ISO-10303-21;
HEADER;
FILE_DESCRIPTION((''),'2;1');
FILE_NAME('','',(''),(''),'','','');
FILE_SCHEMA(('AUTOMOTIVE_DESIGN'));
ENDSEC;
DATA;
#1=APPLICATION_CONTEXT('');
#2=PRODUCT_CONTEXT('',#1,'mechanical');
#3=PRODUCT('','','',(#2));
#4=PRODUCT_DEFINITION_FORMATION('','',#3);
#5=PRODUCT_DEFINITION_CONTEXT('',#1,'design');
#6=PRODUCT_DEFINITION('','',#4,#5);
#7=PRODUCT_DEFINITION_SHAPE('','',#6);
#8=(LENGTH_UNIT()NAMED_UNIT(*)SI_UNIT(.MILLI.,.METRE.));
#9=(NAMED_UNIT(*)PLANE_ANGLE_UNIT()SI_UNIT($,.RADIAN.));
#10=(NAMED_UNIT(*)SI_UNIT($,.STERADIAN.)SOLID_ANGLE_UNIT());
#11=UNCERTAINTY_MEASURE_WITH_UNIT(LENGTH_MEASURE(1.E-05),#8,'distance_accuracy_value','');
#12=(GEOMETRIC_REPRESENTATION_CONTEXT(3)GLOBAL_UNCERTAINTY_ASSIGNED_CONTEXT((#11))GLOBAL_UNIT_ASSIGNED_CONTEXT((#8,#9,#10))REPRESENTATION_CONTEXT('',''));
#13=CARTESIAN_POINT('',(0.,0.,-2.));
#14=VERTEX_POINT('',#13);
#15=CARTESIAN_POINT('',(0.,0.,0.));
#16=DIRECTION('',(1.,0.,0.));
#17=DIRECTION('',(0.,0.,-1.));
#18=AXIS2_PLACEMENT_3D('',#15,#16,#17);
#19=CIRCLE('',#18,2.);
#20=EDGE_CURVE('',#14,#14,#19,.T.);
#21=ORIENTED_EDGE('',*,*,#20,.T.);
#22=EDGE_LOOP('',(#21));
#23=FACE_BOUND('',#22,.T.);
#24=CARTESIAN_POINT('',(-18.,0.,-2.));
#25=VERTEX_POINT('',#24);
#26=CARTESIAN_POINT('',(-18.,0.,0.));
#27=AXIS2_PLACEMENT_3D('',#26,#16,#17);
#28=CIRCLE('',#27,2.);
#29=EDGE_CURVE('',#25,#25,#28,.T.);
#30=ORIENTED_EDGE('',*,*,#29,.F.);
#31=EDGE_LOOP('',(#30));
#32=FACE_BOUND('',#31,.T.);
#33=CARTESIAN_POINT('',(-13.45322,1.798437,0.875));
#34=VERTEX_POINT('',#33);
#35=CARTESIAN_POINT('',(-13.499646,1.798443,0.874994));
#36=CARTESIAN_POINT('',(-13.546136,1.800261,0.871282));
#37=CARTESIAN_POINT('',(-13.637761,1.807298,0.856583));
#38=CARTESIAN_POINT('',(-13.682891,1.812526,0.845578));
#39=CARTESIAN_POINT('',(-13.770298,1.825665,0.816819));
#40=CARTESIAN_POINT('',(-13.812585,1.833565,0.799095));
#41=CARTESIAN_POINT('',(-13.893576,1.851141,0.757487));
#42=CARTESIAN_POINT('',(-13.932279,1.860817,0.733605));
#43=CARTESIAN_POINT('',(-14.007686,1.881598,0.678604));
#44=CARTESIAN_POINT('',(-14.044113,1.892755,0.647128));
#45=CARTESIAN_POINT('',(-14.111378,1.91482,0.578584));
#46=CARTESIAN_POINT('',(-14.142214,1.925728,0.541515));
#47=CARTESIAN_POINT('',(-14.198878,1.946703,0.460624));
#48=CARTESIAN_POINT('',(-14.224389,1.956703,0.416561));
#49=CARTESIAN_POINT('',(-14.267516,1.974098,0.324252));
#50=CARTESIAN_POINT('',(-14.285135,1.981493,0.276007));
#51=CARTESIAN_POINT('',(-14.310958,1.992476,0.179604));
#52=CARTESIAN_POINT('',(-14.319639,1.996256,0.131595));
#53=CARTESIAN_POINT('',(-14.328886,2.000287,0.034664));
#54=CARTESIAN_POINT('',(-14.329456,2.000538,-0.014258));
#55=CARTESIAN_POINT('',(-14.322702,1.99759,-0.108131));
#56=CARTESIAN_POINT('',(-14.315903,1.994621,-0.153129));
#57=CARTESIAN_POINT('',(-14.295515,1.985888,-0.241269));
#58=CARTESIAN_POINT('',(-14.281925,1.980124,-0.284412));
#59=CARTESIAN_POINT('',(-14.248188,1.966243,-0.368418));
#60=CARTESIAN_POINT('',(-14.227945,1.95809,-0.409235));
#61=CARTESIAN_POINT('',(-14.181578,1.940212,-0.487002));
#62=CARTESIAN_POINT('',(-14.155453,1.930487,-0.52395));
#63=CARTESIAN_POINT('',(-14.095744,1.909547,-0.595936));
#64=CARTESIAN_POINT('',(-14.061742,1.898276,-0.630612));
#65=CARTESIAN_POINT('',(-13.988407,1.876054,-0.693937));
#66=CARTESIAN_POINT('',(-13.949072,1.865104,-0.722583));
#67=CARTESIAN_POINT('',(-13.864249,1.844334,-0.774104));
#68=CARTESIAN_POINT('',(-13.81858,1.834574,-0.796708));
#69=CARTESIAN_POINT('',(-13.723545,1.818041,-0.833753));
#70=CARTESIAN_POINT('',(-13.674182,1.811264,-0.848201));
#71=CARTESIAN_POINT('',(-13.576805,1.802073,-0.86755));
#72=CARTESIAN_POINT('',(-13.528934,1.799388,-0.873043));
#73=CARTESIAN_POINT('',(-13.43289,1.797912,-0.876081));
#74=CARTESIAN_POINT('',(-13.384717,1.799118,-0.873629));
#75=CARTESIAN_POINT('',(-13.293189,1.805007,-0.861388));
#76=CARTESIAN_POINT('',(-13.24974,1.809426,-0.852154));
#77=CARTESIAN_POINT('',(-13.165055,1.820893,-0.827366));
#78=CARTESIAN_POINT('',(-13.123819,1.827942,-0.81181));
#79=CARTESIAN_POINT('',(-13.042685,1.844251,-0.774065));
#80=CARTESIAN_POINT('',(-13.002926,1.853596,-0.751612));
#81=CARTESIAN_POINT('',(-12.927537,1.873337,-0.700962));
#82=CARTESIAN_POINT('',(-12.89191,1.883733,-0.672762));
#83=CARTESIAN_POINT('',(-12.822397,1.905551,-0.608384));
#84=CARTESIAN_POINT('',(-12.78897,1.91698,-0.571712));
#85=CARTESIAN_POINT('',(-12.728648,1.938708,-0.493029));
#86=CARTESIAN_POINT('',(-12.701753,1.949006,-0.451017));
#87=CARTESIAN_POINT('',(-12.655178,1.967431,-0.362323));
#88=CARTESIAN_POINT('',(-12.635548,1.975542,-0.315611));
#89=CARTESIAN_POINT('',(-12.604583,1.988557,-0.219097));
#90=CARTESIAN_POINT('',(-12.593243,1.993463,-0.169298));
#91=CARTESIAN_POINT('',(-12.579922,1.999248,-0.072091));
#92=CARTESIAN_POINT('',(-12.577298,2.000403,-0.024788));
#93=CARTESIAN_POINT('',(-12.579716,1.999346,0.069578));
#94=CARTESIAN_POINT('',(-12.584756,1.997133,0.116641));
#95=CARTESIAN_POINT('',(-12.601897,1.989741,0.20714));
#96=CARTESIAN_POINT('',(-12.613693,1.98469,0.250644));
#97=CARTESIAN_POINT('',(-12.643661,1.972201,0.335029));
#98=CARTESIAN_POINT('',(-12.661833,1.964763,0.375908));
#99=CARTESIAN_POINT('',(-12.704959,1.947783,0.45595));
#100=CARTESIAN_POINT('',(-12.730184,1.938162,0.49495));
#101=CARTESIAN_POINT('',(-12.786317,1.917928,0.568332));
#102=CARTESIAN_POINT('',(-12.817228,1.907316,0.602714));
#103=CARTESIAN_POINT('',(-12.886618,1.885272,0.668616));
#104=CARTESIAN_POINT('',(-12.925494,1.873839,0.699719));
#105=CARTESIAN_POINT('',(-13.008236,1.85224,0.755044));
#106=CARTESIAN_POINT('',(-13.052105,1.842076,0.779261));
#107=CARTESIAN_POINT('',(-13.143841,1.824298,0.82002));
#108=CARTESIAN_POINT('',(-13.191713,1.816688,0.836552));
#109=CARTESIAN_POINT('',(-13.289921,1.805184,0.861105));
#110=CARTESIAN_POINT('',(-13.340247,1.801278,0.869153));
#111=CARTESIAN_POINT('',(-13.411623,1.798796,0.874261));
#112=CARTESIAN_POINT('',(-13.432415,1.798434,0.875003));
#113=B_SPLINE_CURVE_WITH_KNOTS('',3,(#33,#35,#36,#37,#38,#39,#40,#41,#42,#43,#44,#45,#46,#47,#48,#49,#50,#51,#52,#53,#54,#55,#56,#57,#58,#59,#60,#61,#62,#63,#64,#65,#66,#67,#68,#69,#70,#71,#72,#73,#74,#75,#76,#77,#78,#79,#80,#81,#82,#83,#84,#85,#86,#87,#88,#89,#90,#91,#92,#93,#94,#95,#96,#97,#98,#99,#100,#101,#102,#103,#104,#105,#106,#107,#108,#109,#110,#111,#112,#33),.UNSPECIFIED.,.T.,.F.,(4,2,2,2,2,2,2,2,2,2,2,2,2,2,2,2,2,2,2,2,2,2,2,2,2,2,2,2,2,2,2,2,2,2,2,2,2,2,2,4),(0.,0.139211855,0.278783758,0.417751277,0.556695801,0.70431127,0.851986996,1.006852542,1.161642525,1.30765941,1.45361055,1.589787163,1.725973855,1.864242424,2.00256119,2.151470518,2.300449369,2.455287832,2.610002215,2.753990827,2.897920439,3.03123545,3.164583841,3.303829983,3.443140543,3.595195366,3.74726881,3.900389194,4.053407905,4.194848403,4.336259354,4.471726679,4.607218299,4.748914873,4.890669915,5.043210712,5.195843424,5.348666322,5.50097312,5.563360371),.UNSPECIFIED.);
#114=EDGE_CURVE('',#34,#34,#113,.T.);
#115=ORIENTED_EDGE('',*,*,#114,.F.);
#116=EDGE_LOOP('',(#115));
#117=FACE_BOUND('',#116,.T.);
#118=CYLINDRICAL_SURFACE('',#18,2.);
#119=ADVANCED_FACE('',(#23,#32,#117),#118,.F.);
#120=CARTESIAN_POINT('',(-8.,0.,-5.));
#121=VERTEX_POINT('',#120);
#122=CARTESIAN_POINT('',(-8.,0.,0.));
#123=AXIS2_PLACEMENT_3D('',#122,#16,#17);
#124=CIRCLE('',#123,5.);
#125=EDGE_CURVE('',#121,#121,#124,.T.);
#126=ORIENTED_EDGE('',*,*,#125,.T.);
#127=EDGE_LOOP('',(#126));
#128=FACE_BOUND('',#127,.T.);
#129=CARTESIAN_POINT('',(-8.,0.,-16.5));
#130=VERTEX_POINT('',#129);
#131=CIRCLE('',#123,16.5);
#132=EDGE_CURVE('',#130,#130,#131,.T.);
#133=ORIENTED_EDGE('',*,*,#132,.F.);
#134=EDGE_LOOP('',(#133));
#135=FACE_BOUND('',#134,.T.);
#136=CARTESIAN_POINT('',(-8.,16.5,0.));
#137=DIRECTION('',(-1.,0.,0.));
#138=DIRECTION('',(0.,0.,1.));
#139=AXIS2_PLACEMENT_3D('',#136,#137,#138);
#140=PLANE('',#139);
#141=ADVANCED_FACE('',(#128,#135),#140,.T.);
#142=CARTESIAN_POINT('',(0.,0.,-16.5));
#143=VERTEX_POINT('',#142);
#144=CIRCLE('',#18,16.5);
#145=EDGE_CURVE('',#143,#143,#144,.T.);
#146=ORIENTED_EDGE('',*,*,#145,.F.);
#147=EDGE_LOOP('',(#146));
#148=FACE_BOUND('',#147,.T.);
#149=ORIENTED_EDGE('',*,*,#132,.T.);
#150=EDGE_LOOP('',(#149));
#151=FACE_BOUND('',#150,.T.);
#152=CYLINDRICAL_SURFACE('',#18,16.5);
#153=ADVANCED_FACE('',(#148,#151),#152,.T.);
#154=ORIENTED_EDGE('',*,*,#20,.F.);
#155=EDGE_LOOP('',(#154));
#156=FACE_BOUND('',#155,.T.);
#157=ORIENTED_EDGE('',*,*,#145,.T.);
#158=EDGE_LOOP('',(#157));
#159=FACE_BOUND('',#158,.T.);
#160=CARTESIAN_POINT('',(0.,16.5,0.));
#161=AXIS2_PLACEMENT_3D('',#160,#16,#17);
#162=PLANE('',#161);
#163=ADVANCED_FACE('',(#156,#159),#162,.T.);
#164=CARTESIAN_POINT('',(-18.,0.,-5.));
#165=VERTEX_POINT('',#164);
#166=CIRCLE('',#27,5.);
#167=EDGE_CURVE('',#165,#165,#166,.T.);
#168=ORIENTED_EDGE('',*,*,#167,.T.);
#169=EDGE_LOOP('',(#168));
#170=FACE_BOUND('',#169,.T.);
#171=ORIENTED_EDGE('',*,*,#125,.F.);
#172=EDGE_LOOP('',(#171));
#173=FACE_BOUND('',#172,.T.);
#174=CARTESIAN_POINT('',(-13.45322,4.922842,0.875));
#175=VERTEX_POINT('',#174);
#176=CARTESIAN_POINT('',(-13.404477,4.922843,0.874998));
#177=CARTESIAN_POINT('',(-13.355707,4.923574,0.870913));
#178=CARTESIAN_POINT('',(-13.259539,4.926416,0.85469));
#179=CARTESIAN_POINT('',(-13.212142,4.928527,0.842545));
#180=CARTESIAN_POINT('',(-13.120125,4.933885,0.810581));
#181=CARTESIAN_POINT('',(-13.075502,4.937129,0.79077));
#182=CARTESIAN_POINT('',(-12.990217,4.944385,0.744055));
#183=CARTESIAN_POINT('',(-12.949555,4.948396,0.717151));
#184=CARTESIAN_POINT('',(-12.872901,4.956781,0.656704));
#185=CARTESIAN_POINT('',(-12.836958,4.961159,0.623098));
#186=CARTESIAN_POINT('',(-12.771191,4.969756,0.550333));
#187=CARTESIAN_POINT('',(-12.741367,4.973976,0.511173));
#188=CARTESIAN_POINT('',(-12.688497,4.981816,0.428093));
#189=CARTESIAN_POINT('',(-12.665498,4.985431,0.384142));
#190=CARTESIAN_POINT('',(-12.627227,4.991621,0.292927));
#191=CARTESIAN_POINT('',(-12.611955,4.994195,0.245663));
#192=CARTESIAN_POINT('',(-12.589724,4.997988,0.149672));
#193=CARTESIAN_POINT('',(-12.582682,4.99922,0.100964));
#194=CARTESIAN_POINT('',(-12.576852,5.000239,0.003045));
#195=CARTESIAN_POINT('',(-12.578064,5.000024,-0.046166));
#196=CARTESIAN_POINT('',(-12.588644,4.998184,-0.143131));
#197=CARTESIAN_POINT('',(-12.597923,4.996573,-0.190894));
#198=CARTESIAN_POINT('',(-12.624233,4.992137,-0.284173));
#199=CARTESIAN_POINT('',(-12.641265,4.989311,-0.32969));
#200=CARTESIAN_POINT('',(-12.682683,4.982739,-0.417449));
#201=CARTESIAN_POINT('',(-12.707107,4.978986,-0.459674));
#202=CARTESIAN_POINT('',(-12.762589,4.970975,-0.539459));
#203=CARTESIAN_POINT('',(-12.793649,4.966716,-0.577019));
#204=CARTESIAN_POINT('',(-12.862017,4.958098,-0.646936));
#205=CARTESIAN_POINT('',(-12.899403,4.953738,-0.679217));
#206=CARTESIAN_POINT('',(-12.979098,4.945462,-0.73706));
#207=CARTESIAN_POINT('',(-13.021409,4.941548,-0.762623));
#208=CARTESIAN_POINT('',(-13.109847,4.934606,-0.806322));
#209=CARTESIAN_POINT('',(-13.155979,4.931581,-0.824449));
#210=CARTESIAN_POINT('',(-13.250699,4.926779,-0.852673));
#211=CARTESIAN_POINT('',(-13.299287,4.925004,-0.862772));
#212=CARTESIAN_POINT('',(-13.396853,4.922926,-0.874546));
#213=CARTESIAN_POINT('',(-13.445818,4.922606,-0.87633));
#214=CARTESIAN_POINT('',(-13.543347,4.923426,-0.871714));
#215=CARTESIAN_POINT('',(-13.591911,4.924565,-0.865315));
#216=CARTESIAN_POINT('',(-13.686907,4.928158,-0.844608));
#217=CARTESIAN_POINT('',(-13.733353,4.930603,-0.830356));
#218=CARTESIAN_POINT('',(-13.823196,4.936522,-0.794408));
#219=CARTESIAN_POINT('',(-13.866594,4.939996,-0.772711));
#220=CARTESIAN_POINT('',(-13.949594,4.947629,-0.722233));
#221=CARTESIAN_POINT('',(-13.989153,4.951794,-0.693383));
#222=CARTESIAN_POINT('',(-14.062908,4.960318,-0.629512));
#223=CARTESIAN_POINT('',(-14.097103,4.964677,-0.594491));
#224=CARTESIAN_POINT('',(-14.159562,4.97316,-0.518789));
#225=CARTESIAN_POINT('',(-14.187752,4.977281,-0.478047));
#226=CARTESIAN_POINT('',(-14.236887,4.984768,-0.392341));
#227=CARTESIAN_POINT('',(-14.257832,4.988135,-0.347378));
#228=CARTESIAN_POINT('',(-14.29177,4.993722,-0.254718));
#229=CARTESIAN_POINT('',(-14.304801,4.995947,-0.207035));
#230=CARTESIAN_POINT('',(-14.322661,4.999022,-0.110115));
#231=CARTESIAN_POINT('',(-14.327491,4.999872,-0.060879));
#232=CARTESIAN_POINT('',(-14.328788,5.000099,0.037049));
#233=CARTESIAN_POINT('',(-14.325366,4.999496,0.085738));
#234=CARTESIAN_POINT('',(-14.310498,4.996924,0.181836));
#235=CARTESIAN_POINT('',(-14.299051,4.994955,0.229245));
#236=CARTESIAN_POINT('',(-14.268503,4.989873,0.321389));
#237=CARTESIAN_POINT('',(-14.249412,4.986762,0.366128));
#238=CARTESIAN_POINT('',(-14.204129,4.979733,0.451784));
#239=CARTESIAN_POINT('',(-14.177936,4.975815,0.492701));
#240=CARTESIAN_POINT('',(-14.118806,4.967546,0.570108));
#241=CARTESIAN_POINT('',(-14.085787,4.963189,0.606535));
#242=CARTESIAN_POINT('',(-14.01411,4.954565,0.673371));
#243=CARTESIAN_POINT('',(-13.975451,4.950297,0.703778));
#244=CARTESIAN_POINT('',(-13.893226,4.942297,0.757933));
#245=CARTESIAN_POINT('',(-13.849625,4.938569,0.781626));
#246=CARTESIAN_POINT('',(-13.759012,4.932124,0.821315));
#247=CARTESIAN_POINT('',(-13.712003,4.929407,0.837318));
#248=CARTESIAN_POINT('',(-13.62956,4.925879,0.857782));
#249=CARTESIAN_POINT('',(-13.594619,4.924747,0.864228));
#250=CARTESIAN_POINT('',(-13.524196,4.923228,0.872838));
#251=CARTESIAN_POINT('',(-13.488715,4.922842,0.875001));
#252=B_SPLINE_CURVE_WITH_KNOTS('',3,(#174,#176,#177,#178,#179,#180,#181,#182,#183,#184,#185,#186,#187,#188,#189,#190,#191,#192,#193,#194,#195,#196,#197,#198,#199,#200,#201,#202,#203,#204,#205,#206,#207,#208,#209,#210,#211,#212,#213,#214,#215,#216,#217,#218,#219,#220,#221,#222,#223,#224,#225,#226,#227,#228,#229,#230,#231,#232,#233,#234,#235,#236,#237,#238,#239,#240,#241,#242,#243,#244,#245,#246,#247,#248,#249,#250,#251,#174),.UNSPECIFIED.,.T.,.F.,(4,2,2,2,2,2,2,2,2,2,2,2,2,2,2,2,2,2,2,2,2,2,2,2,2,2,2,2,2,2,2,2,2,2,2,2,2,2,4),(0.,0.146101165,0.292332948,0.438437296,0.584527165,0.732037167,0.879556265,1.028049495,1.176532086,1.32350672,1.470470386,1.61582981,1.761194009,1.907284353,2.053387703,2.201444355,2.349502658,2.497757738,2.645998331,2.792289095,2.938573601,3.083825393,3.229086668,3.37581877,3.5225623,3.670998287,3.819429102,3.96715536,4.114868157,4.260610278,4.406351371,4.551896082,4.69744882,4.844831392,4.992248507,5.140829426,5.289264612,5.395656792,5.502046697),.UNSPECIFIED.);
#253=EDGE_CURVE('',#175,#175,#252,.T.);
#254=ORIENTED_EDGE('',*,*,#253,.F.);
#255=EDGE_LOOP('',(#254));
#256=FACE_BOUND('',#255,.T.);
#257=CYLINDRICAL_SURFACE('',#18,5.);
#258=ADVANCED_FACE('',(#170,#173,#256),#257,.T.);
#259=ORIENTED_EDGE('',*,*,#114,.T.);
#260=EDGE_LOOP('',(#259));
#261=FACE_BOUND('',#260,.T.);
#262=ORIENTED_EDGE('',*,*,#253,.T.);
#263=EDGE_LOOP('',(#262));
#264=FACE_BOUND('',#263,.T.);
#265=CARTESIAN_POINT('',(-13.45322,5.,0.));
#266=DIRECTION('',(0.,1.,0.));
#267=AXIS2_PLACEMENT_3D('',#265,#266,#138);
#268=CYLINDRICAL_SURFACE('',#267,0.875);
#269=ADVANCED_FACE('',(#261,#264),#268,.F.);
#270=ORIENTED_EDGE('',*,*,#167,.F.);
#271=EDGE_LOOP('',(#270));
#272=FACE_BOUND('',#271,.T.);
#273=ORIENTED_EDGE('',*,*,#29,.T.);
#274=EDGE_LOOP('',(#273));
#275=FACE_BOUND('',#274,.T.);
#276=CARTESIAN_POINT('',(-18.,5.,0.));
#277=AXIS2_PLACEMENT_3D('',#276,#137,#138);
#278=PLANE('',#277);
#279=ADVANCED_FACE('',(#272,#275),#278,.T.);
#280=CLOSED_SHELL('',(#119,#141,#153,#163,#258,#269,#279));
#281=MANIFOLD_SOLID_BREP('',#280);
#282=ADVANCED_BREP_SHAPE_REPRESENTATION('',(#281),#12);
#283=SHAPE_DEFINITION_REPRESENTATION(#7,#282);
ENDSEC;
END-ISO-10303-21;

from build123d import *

# Parameters (mm, degrees)
BROCA_DE_ROSQUEAR_PARA_TARRAXA_DE_M2_2X0_REACH = 32.257
BROCA_DE_ROSQUEAR_PARA_TARRAXA_DE_M2_2_R       = 0.875


with BuildPart() as part:
    # Esboço3 → Revolução1 (revolve)
    with BuildSketch(Plane.XY, mode=Mode.PRIVATE) as revolu_o1_sk:
        Polygon((0, 16.5), (0, 2), (-18, 2), (-18, 5), (-8, 5), (-8, 16.5), align=None)
    revolve(revolu_o1_sk.sketch.rotate(Axis((0, 0, 0), (-1, 0, 0)), 90), axis=Axis((0, 0, 0), (-1, 0, 0)))

    # Broca de rosquear para tarraxa de M2 2 (on position points) → Broca de rosquear para tarraxa de M2.2x0.451 (cut, up to next)
    with BuildSketch(Plane(origin=(-13.453220178, 5, 0), x_dir=(0, 0, 1), z_dir=(0, 1, 0)), mode=Mode.PRIVATE) as broca_de_rosquear_para_tarraxa_de_m2_2x0_sk1:
        Circle(BROCA_DE_ROSQUEAR_PARA_TARRAXA_DE_M2_2_R)
    broca_de_rosquear_para_tarraxa_de_m2_2x0_tool1 = extrude(broca_de_rosquear_para_tarraxa_de_m2_2x0_sk1.sketch, amount=-BROCA_DE_ROSQUEAR_PARA_TARRAXA_DE_M2_2X0_REACH, mode=Mode.PRIVATE) & part.part
    add(broca_de_rosquear_para_tarraxa_de_m2_2x0_tool1.solids().sort_by_distance((-13.45322, 5, 0))[0], mode=Mode.SUBTRACT)


solid = part.part
